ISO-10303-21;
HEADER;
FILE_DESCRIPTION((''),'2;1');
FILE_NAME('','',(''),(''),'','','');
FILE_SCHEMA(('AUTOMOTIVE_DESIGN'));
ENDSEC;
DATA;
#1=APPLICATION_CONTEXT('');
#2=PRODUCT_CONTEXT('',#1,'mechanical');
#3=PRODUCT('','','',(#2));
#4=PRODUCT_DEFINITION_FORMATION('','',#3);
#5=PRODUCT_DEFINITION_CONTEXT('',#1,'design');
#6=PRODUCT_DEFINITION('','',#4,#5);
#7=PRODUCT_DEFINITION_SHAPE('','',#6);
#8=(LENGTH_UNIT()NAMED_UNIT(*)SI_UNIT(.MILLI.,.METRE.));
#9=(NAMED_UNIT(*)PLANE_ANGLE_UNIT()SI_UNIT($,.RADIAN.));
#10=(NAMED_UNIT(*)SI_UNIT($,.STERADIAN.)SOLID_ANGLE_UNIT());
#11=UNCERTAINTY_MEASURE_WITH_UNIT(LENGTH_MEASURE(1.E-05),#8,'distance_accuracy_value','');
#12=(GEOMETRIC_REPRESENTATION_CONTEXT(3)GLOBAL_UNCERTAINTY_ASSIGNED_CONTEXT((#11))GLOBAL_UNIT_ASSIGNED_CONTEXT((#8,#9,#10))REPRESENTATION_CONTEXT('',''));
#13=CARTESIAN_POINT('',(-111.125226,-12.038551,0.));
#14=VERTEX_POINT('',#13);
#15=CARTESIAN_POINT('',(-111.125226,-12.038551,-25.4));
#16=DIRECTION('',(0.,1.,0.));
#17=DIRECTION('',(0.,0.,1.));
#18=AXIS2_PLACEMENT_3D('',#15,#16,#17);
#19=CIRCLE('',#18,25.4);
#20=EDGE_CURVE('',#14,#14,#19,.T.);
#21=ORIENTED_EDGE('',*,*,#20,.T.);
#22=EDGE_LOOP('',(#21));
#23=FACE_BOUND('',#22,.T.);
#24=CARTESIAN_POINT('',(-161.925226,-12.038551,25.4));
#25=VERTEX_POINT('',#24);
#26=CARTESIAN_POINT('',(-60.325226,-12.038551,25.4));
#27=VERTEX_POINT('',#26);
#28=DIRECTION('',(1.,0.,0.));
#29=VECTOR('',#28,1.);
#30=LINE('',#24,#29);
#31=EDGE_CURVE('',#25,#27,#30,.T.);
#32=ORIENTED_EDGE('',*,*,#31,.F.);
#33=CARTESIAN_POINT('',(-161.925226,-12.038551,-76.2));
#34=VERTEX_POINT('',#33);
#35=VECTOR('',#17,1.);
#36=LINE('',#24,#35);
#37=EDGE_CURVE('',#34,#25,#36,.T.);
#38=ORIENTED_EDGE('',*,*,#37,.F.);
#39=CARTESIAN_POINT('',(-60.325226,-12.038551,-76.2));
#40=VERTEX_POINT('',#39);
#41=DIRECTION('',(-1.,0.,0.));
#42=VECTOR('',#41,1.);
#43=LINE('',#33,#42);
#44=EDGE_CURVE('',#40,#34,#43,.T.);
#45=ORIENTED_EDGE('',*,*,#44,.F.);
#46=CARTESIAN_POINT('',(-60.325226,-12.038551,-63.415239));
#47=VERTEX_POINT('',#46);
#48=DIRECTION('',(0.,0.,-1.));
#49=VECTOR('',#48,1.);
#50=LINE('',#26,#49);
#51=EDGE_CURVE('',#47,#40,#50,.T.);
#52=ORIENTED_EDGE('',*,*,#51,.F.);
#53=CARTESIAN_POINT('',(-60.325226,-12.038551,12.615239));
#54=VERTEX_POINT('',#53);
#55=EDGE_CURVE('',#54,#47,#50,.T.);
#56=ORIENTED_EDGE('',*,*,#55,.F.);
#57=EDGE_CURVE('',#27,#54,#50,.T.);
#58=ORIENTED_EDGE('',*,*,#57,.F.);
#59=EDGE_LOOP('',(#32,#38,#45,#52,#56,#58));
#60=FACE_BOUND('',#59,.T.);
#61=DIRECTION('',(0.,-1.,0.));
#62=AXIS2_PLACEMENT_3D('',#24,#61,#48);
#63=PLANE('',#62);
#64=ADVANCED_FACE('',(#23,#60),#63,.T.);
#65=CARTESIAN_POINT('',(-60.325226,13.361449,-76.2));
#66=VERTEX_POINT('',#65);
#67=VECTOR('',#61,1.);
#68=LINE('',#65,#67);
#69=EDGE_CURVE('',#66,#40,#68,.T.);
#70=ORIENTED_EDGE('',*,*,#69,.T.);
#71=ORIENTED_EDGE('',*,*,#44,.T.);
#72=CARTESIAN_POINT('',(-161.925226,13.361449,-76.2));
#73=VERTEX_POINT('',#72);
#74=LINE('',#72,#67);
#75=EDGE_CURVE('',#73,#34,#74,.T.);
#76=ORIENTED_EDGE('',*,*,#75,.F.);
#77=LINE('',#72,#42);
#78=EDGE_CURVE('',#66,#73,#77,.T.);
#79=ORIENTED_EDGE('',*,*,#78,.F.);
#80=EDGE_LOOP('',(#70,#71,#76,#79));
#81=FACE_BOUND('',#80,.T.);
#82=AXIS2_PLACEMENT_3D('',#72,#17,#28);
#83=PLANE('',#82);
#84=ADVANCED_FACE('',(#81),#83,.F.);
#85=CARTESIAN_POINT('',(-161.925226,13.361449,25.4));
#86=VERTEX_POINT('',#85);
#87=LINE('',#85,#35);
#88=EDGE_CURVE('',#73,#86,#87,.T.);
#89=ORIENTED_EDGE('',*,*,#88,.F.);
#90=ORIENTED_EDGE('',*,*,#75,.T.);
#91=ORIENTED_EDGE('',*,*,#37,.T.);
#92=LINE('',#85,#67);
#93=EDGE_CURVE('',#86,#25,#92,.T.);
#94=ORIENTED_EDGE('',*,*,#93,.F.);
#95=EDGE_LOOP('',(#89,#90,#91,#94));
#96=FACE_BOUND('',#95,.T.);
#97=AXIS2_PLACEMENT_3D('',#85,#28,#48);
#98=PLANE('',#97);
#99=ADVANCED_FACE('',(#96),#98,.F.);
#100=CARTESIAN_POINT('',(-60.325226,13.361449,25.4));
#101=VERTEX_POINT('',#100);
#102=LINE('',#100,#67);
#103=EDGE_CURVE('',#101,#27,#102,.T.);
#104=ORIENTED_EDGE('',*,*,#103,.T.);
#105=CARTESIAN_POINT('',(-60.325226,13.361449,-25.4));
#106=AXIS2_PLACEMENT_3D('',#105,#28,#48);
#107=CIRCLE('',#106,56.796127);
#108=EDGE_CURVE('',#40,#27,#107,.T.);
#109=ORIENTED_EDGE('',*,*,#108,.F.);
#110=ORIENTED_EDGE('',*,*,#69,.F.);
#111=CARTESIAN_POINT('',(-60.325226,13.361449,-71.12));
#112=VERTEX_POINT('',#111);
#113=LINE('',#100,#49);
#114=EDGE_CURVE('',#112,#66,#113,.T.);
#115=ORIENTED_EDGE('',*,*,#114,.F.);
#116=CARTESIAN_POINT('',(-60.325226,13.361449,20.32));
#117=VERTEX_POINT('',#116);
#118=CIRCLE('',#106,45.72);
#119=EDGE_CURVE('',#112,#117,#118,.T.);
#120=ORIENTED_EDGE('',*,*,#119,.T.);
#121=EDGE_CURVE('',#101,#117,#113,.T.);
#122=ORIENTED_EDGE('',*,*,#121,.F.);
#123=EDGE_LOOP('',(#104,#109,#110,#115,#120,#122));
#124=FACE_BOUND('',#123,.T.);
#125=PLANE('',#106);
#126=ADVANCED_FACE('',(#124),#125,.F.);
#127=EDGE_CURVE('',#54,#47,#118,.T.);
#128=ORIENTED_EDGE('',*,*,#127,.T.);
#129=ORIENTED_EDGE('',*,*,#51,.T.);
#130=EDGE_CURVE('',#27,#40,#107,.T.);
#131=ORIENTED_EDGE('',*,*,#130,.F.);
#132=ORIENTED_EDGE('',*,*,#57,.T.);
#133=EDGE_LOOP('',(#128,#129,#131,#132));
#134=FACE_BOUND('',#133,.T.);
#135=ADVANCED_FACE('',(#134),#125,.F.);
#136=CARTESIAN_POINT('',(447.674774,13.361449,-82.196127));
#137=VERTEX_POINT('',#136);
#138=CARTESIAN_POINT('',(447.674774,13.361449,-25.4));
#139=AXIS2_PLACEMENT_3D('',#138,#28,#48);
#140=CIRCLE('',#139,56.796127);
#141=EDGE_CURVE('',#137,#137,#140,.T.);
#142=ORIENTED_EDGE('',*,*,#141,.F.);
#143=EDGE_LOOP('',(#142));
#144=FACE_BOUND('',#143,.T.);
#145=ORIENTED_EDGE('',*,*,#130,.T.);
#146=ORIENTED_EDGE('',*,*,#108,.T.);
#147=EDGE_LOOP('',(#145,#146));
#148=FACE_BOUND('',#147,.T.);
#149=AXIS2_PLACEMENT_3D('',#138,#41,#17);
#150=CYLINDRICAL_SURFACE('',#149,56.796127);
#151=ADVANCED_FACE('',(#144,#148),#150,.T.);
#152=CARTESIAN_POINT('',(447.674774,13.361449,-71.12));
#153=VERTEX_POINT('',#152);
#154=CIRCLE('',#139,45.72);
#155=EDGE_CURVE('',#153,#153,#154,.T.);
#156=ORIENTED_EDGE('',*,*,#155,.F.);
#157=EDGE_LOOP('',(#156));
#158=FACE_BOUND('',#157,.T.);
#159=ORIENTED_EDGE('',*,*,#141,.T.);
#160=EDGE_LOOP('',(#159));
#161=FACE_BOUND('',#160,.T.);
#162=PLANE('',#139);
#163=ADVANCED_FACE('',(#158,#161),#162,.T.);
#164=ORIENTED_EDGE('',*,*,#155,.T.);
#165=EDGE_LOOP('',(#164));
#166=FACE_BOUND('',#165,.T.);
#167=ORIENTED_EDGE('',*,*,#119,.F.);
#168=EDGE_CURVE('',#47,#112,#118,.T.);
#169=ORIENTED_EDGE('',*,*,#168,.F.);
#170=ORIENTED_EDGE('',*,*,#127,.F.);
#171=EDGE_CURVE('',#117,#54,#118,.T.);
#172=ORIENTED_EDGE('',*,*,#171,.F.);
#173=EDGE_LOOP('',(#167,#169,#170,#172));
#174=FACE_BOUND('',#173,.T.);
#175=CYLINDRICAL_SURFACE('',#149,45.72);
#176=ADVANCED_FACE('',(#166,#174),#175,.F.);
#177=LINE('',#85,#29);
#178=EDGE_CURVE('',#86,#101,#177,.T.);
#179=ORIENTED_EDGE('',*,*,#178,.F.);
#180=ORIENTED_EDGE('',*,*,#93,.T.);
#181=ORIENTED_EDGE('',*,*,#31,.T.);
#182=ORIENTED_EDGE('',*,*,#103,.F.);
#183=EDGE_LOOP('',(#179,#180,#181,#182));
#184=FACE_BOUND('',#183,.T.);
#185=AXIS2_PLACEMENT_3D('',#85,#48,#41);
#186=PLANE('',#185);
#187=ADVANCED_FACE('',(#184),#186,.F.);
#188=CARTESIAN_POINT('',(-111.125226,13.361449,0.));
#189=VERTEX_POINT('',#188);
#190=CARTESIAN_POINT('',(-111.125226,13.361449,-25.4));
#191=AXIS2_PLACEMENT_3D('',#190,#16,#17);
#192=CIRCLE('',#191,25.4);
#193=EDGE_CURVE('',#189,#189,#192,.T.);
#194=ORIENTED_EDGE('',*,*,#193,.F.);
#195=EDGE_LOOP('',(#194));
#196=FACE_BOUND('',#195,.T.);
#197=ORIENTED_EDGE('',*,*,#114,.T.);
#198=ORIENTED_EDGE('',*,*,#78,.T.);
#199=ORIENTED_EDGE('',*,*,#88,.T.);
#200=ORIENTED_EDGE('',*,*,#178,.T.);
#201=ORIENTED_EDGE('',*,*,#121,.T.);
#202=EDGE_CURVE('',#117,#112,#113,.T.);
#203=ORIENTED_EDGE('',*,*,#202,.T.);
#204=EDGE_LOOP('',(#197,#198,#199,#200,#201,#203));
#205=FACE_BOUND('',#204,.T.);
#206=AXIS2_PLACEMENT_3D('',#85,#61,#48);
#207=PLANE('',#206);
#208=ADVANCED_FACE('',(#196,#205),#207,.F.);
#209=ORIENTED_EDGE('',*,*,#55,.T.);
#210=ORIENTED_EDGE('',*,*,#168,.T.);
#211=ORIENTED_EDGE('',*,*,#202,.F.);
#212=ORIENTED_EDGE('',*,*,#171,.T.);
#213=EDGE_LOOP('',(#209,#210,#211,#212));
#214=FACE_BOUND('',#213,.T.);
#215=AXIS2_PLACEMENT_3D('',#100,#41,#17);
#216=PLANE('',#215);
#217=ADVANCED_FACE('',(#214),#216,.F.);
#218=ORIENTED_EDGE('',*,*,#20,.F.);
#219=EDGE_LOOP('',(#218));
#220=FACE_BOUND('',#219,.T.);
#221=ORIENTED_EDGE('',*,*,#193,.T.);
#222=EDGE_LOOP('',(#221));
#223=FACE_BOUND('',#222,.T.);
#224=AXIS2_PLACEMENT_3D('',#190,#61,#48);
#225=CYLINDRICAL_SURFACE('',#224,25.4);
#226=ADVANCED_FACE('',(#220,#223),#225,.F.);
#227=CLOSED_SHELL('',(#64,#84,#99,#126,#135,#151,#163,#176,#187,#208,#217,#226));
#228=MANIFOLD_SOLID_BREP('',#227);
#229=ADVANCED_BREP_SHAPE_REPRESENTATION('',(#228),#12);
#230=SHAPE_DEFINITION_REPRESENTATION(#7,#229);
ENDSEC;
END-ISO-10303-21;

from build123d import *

# Parameters (mm, degrees)
SKETCH1_W           = 50.8
SKETCH1_H           = 50.8
SKETCH1_R           = 12.7
BOSS_EXTRUDE1_DEPTH = 12.7
SKETCH2_R           = 28.398063314
SKETCH2_R_2         = 22.86
BOSS_EXTRUDE2_DEPTH = 254
SCALE1_SCALE        = 3
SCALE2_SCALE        = 0.333333333
SCALE3_SCALE        = 2


with BuildPart() as part:
    # Sketch1 → Boss-Extrude1 (new body)
    with BuildSketch(Plane(origin=(0, 0, 0), x_dir=(1, 0, 0), z_dir=(0, 1, 0))):
        with Locations((25.4, 25.4)):
            Rectangle(SKETCH1_W, SKETCH1_H)
        with Locations(Location((25.4, 25.4, 0), (0, 0, 270))):
            Circle(SKETCH1_R, mode=Mode.SUBTRACT)
    extrude(amount=BOSS_EXTRUDE1_DEPTH)

    # Sketch2 → Boss-Extrude2 (add)
    with BuildSketch(Plane(origin=(50.8, 0, 0), x_dir=(0, 0, -1), z_dir=(1, 0, 0))):
        with Locations(Location((25.4, 12.7, 0), (0, 0, 206.565051177))):
            Circle(SKETCH2_R)
        with Locations((25.4, 12.7)):
            Circle(SKETCH2_R_2, mode=Mode.SUBTRACT)
    extrude(amount=BOSS_EXTRUDE2_DEPTH)


with BuildPart() as part_1:
    # Scale1: scaled about (161.925226112, 12.038551088, -25.4)
    add(part.part.scale(SCALE1_SCALE).moved(Location((-323.850452224, -24.077102176, 50.8))))


with BuildPart() as part_2:
    # Scale2: scaled about (161.925226113, 12.038551088, -25.4)
    add(part_1.part.scale(SCALE2_SCALE).moved(Location((107.950150742, 8.025700725, -16.933333333))))


with BuildPart() as part_3:
    # Scale3: scaled about (161.925226113, 12.038551088, -25.4)
    add(part_2.part.scale(SCALE3_SCALE).moved(Location((-161.925226113, -12.038551088, 25.4))))


solid = part_3.part
